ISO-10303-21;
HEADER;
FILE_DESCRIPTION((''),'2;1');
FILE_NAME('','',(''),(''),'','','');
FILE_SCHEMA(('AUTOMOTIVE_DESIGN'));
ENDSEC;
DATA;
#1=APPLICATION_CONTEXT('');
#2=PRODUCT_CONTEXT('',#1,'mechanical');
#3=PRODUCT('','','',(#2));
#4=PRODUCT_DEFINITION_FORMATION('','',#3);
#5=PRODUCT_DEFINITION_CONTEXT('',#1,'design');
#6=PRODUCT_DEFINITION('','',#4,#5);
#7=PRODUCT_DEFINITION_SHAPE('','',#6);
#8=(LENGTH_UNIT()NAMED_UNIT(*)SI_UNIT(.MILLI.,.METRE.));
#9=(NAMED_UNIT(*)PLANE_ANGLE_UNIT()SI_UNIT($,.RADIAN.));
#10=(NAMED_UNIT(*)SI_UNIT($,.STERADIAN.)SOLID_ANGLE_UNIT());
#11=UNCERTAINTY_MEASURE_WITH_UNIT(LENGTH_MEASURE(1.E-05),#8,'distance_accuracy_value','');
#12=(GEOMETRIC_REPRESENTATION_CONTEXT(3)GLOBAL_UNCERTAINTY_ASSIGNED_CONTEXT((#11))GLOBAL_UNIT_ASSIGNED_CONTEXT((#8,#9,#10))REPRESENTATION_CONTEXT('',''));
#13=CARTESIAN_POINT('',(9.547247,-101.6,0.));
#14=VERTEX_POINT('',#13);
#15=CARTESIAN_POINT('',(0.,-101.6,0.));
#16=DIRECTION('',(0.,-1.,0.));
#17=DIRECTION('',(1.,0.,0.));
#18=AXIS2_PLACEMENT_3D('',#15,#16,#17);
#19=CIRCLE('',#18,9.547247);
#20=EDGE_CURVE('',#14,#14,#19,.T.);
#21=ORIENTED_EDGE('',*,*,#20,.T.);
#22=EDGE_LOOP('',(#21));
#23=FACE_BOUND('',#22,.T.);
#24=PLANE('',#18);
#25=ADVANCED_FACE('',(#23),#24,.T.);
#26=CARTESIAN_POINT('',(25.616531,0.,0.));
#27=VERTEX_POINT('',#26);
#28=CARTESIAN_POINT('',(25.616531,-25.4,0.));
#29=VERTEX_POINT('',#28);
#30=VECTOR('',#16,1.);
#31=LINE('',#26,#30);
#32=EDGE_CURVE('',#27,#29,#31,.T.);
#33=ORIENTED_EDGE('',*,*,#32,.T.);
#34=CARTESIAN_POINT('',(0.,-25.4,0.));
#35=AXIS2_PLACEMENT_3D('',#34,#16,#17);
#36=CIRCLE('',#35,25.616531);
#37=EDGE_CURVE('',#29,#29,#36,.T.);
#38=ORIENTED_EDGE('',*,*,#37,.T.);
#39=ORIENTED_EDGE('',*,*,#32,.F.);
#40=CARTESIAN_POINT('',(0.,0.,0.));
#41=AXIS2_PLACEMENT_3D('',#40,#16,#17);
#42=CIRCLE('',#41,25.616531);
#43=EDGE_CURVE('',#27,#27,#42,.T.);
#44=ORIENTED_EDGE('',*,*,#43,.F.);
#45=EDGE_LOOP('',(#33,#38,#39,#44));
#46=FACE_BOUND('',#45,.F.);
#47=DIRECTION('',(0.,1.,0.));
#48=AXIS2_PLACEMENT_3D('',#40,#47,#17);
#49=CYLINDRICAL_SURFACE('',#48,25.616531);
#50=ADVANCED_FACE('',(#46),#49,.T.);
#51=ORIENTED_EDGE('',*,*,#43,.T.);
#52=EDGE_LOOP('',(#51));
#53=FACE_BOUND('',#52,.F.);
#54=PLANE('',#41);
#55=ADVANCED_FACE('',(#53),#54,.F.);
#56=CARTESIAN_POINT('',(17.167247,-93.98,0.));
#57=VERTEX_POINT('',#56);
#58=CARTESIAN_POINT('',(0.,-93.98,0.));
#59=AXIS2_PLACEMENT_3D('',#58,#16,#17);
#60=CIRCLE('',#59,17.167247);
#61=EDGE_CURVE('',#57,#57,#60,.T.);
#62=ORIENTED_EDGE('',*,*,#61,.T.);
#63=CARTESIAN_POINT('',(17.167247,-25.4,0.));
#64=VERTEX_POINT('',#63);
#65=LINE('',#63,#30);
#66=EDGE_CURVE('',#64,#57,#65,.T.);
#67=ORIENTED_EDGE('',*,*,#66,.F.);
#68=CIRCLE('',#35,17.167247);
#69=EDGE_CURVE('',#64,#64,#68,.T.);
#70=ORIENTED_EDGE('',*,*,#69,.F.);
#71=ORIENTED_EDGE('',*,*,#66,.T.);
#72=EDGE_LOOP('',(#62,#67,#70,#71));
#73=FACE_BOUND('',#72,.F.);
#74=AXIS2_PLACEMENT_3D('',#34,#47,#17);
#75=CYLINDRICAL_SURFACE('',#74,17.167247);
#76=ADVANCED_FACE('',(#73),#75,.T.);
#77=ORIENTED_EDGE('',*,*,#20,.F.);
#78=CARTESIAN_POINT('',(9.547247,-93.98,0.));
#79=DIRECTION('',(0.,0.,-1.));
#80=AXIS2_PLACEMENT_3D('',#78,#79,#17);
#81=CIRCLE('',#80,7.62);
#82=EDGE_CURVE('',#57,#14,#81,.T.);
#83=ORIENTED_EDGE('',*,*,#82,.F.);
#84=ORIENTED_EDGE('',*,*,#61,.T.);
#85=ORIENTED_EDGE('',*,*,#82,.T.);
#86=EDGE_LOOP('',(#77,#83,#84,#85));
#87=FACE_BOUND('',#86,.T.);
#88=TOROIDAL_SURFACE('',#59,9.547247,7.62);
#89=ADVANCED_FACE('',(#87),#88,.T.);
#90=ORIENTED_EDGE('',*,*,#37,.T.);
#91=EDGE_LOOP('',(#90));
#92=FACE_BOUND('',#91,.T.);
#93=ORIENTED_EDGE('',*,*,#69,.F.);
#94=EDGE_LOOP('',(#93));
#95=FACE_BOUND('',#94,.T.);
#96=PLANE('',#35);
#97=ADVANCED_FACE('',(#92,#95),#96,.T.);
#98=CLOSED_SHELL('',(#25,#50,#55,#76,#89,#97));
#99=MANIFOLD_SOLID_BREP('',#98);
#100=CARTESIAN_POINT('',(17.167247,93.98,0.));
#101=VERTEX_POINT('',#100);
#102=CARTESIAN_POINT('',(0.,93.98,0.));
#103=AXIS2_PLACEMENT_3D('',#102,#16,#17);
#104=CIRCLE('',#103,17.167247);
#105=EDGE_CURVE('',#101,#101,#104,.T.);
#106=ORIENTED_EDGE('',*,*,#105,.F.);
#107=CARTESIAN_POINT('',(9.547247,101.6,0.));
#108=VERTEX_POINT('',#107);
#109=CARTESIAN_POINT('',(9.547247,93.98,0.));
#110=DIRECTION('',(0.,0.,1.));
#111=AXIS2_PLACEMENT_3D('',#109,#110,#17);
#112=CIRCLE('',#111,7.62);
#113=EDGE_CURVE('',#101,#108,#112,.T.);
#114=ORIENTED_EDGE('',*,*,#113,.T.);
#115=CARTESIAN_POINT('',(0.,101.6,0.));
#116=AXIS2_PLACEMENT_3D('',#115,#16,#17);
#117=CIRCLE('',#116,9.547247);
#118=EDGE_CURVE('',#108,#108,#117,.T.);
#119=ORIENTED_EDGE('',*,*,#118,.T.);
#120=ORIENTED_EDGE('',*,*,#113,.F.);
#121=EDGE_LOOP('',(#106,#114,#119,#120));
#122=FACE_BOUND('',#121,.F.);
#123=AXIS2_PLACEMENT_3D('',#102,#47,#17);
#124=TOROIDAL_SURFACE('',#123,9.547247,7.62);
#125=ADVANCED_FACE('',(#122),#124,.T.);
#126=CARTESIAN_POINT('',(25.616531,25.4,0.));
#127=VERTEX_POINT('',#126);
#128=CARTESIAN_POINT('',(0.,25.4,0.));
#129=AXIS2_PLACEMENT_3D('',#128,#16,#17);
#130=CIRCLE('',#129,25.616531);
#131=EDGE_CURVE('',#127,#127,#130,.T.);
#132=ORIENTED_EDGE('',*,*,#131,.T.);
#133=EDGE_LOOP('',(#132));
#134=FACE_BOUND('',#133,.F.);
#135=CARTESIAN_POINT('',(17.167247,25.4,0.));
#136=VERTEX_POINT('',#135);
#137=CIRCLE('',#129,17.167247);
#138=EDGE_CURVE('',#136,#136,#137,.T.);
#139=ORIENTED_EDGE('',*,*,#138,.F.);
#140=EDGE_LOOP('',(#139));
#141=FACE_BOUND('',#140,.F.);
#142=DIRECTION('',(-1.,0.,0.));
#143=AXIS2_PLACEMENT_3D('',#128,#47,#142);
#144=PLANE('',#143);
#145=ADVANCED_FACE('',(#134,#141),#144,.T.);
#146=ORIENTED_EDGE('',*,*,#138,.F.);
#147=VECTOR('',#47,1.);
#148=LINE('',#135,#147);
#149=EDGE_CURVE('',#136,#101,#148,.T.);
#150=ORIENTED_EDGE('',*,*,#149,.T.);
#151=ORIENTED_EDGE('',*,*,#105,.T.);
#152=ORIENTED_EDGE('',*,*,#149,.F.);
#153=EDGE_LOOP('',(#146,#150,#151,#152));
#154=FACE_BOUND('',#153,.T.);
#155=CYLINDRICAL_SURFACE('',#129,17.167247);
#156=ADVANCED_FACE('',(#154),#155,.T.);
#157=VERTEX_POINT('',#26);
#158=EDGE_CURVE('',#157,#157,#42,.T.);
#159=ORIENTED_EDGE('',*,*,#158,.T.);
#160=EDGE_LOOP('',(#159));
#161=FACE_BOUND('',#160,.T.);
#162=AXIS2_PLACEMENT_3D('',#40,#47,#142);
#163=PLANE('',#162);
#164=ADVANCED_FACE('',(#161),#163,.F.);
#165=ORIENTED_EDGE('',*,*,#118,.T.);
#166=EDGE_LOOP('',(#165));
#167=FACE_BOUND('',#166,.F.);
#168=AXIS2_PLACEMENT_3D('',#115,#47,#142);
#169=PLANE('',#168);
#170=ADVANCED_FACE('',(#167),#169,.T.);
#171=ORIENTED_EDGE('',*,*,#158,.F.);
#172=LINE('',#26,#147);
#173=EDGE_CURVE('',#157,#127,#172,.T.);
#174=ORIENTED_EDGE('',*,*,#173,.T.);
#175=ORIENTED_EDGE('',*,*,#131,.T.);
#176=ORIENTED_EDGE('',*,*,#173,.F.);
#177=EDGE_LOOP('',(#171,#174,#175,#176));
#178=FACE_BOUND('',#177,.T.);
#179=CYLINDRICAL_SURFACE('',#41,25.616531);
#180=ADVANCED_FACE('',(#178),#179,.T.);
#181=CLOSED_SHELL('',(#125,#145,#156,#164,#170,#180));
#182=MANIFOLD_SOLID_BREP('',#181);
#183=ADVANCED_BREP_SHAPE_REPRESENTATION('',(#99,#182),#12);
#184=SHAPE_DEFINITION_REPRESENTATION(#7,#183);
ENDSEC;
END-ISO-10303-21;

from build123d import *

# Parameters (mm, degrees)
F0_R     = 25.616531
F1_DEPTH = 25.4
F2_R     = 17.167247
F3_DEPTH = 76.2
F4_R     = 7.62


with BuildPart() as f1:
    # F0 (on Front) → F1 (new body)
    with BuildSketch(Plane.XZ):
        Circle(F0_R)
    extrude(amount=F1_DEPTH)

    # F2 (on face) → F3 (join)
    with BuildSketch(Plane.XZ.offset(25.4)):
        Circle(F2_R)
    extrude(amount=F3_DEPTH)

    # F4
    f4_edges = [f1.edges().sort_by_distance(p)[0] for p in [
        (-17.167247, -101.6, 0),
    ]]
    fillet(f4_edges, radius=F4_R)


with BuildPart() as f5_1:
    # F5: instance of F1
    add(f1.part.mirror(Plane.XZ))


solid = Compound([f1.part, f5_1.part])
